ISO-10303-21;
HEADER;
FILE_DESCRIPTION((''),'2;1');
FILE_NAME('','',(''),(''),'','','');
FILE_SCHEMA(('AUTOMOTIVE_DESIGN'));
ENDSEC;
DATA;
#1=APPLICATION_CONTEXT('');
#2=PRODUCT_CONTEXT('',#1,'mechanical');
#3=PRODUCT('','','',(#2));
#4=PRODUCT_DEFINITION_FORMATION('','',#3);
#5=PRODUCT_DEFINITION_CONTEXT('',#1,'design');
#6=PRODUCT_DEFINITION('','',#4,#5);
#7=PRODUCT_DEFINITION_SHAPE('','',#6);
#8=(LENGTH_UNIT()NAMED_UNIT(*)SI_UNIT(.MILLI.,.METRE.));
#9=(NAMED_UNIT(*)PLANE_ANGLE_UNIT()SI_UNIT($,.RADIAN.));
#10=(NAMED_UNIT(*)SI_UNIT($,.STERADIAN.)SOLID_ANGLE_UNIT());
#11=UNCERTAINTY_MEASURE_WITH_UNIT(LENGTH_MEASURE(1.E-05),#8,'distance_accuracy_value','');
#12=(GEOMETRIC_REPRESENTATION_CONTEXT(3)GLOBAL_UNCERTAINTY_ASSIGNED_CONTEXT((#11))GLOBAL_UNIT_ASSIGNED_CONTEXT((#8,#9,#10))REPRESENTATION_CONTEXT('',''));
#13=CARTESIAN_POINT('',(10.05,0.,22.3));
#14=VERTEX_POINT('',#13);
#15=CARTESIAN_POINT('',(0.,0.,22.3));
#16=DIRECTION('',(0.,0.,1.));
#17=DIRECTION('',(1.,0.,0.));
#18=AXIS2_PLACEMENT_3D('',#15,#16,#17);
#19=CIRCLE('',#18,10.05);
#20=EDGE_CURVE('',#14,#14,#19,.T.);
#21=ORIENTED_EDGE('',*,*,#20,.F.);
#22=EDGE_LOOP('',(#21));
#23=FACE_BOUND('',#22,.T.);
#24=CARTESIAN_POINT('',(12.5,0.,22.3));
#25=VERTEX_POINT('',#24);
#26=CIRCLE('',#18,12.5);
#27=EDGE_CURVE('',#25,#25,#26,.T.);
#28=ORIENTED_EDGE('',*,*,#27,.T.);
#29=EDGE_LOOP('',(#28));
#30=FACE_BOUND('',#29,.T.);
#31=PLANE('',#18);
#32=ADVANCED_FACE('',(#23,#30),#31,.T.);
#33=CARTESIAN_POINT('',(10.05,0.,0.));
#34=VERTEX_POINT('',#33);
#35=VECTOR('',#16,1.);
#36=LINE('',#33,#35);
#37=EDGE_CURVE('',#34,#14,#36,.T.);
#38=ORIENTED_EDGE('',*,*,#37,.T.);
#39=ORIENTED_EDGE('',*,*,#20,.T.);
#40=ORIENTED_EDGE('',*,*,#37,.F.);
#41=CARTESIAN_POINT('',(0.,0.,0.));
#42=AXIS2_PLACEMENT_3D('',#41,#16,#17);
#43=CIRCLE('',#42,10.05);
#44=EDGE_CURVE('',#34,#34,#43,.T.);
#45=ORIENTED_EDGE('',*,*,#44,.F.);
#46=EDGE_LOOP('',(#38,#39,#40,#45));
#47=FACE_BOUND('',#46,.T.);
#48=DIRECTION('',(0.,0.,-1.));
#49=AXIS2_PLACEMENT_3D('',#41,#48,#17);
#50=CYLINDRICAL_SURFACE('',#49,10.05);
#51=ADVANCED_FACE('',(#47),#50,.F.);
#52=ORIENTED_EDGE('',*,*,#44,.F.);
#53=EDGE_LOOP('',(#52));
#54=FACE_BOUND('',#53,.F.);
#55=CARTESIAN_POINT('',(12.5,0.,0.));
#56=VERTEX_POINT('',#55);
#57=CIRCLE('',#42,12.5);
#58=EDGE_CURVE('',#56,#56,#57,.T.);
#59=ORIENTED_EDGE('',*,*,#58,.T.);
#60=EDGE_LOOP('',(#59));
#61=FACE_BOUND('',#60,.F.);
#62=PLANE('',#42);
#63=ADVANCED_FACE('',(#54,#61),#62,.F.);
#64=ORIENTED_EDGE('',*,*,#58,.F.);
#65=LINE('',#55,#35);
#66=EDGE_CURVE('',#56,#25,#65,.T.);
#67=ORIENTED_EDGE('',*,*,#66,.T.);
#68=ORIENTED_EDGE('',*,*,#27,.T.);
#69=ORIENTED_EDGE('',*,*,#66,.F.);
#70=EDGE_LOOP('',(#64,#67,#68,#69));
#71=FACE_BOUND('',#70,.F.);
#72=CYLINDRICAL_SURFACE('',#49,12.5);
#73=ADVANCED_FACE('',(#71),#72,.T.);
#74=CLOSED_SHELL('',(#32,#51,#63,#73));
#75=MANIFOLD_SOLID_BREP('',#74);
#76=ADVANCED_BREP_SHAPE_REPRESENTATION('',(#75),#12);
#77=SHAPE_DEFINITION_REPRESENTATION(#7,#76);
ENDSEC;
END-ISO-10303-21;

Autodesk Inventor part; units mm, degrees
ref_plane "YZ Plane" through (0, 0, 0) normal (1, 0, 0) x (0, 1, 0)
ref_plane "XZ Plane" through (0, 0, 0) normal (0, 1, 0) x (-1, 0, 0)
ref_plane "XY Plane" through (0, 0, 0) normal (0, 0, 1) x (1, 0, 0)
sketch "스케치10" plane through (0, 0, 0) normal (0, 0, 1) x (1, 0, 0)
  circle A0 centre (0, 0) radius 12.5
  circle A1 centre (0, 0) radius 10.05
  dimension "d57" = 25
  dimension "d58" = 20.1
extrude "돌출4" add sketch "스케치10" along normal blind 22.3
properties part number "TL20240701-10110CV-011" material "S45C"
